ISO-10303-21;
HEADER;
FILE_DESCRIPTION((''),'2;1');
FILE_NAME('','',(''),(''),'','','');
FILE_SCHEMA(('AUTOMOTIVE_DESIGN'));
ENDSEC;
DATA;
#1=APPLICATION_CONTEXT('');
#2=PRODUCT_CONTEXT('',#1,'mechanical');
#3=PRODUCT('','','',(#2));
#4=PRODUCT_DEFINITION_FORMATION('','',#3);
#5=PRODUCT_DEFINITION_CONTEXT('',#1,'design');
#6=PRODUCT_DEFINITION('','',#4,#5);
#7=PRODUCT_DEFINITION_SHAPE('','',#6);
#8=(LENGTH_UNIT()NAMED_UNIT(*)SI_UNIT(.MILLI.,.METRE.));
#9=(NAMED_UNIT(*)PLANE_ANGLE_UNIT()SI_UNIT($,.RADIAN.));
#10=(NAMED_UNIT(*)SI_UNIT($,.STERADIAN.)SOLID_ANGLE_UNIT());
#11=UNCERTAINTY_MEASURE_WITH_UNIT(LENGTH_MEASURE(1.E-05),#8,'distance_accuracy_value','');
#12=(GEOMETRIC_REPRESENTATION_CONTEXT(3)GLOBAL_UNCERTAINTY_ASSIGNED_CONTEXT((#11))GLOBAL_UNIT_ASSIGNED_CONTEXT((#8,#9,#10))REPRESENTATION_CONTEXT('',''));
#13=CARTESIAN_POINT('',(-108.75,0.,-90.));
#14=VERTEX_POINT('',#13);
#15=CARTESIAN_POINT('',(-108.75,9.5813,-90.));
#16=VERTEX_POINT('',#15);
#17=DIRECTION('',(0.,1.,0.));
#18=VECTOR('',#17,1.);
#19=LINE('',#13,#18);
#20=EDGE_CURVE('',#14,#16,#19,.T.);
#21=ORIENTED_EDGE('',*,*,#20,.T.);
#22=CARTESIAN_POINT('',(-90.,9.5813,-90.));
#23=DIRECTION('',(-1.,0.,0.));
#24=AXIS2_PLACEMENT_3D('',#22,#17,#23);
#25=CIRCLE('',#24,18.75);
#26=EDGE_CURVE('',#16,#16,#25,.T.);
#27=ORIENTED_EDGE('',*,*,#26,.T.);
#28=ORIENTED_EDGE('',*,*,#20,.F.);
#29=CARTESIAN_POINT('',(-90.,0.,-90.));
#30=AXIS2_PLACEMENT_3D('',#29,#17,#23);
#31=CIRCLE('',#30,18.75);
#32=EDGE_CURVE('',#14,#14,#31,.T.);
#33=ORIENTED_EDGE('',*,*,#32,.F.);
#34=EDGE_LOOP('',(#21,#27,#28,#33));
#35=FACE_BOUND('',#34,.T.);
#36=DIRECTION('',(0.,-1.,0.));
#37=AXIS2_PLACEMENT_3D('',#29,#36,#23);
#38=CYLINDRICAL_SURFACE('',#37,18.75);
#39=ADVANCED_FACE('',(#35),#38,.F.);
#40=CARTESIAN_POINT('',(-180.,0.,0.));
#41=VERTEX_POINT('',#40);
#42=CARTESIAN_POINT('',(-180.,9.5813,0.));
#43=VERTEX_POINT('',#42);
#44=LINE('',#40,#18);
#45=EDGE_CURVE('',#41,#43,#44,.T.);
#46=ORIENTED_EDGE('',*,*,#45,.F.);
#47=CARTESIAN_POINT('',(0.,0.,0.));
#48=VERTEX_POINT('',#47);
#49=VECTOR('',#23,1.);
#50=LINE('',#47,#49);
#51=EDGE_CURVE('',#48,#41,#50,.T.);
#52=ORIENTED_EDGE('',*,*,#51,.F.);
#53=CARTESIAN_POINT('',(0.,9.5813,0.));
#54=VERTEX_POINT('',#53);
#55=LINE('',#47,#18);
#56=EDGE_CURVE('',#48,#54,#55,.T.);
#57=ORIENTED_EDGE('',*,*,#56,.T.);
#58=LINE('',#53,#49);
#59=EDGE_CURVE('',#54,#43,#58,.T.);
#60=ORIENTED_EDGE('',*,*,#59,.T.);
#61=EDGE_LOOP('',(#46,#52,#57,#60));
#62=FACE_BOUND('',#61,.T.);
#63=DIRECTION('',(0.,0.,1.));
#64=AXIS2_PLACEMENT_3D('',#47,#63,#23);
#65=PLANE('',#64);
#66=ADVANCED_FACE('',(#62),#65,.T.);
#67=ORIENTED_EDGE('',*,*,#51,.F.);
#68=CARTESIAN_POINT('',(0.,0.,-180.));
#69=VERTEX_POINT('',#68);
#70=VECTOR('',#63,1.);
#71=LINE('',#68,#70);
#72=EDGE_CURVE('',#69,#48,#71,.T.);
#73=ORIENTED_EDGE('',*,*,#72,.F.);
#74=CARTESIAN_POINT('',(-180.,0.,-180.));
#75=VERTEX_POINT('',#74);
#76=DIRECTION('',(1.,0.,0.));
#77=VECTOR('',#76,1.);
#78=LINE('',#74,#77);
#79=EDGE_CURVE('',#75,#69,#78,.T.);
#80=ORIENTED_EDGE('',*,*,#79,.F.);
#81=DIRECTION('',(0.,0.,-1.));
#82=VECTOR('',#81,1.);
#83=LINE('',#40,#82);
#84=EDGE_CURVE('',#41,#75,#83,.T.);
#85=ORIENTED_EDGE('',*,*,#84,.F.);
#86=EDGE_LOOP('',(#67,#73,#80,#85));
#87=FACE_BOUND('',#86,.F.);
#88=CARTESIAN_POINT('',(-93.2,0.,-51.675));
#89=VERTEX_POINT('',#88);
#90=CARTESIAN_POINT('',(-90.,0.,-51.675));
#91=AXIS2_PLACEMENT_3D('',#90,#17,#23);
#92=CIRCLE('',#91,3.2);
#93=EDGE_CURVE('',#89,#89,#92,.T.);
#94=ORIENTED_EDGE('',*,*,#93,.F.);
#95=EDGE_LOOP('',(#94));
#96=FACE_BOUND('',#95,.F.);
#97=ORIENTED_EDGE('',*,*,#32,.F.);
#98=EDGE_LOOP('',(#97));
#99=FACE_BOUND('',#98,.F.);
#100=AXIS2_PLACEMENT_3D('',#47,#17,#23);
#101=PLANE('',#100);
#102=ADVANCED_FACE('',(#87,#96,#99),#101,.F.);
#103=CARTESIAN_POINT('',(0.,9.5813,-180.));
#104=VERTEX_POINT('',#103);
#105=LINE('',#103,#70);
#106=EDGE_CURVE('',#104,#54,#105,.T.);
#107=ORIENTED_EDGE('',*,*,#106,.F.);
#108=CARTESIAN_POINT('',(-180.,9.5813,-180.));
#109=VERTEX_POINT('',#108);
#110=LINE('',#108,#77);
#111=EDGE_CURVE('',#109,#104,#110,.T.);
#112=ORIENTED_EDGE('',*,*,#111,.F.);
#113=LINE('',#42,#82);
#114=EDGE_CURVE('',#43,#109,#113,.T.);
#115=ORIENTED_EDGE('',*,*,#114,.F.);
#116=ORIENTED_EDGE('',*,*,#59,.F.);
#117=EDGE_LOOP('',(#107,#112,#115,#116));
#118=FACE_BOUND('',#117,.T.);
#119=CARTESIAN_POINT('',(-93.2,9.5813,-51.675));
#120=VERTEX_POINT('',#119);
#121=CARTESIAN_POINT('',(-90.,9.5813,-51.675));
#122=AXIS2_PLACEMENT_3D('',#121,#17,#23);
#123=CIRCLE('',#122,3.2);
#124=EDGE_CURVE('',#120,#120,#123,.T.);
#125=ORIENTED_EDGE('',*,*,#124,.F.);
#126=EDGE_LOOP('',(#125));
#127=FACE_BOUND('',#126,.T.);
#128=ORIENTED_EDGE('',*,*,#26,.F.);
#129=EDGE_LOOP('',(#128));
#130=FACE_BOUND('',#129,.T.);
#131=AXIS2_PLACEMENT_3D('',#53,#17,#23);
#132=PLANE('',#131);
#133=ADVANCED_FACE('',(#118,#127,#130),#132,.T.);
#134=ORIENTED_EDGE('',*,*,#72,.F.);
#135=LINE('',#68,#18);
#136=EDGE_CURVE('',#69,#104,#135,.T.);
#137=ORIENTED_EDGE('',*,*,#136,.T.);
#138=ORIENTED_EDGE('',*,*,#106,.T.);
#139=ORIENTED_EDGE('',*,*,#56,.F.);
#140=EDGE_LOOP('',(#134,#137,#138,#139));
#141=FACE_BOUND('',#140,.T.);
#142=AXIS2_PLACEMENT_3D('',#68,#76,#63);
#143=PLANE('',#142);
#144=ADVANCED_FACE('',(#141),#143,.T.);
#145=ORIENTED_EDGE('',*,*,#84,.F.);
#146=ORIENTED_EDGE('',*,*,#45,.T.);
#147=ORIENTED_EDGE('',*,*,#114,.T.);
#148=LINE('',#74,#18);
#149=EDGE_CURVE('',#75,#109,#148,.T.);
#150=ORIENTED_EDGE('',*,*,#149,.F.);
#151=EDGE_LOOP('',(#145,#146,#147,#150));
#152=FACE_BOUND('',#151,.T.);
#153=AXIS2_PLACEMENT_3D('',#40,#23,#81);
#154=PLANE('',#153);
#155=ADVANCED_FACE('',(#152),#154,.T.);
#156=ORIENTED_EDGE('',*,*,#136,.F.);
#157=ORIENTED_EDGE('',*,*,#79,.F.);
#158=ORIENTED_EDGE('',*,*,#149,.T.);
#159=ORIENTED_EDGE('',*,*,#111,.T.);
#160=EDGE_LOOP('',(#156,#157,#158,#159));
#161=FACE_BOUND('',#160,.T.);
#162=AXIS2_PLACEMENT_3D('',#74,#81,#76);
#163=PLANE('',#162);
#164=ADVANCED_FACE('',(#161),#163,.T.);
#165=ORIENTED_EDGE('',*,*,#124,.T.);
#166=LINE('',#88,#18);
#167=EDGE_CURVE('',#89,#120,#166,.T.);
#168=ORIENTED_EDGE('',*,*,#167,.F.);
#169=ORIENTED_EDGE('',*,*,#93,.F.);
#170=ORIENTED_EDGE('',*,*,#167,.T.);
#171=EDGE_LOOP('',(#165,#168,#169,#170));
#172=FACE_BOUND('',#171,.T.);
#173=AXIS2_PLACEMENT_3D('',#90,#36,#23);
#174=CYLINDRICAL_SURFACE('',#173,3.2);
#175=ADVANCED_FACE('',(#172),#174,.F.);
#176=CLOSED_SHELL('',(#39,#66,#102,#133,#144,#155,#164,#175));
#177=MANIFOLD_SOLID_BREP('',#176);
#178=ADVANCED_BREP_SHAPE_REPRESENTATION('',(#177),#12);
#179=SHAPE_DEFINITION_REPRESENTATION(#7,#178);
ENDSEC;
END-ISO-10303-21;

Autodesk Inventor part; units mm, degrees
ref_plane "YZ Plane" through (0, 0, 0) normal (1, 0, 0) x (0, 1, 0)
ref_plane "XZ Plane" through (0, 0, 0) normal (0, 1, 0) x (-1, 0, 0)
ref_plane "XY Plane" through (0, 0, 0) normal (0, 0, 1) x (1, 0, 0)
sketch "Sketch1" plane through (0, 0, 0) normal (0, 1, 0) x (-1, 0, 0)
  line L0 (0, 0) -> (180, 0)
  line L1 (180, 0) -> (180, -180)
  line L2 (180, -180) -> (0, -180)
  line L3 (0, -180) -> (0, 0)
  circle A0 centre (90, -90) radius 18.75
  circle A1 centre (90, -51.675) radius 3.2
  line L4 (90, -51.675) -> (90, -90) construction
  point P0 (180, -90)
  point P1 (90, -180)
  dimension "d0" = 180
  dimension "d1" = 180
  dimension "d2" = 37.5
  dimension "d3" = 0
  dimension "d4" = 0
  dimension "d5" = 6.4
  dimension "d6" = 38.325
extrude "Extrusion1" add sketch "Sketch1" along normal blind 9.5813
properties part number "base_plate" material "Pine"
